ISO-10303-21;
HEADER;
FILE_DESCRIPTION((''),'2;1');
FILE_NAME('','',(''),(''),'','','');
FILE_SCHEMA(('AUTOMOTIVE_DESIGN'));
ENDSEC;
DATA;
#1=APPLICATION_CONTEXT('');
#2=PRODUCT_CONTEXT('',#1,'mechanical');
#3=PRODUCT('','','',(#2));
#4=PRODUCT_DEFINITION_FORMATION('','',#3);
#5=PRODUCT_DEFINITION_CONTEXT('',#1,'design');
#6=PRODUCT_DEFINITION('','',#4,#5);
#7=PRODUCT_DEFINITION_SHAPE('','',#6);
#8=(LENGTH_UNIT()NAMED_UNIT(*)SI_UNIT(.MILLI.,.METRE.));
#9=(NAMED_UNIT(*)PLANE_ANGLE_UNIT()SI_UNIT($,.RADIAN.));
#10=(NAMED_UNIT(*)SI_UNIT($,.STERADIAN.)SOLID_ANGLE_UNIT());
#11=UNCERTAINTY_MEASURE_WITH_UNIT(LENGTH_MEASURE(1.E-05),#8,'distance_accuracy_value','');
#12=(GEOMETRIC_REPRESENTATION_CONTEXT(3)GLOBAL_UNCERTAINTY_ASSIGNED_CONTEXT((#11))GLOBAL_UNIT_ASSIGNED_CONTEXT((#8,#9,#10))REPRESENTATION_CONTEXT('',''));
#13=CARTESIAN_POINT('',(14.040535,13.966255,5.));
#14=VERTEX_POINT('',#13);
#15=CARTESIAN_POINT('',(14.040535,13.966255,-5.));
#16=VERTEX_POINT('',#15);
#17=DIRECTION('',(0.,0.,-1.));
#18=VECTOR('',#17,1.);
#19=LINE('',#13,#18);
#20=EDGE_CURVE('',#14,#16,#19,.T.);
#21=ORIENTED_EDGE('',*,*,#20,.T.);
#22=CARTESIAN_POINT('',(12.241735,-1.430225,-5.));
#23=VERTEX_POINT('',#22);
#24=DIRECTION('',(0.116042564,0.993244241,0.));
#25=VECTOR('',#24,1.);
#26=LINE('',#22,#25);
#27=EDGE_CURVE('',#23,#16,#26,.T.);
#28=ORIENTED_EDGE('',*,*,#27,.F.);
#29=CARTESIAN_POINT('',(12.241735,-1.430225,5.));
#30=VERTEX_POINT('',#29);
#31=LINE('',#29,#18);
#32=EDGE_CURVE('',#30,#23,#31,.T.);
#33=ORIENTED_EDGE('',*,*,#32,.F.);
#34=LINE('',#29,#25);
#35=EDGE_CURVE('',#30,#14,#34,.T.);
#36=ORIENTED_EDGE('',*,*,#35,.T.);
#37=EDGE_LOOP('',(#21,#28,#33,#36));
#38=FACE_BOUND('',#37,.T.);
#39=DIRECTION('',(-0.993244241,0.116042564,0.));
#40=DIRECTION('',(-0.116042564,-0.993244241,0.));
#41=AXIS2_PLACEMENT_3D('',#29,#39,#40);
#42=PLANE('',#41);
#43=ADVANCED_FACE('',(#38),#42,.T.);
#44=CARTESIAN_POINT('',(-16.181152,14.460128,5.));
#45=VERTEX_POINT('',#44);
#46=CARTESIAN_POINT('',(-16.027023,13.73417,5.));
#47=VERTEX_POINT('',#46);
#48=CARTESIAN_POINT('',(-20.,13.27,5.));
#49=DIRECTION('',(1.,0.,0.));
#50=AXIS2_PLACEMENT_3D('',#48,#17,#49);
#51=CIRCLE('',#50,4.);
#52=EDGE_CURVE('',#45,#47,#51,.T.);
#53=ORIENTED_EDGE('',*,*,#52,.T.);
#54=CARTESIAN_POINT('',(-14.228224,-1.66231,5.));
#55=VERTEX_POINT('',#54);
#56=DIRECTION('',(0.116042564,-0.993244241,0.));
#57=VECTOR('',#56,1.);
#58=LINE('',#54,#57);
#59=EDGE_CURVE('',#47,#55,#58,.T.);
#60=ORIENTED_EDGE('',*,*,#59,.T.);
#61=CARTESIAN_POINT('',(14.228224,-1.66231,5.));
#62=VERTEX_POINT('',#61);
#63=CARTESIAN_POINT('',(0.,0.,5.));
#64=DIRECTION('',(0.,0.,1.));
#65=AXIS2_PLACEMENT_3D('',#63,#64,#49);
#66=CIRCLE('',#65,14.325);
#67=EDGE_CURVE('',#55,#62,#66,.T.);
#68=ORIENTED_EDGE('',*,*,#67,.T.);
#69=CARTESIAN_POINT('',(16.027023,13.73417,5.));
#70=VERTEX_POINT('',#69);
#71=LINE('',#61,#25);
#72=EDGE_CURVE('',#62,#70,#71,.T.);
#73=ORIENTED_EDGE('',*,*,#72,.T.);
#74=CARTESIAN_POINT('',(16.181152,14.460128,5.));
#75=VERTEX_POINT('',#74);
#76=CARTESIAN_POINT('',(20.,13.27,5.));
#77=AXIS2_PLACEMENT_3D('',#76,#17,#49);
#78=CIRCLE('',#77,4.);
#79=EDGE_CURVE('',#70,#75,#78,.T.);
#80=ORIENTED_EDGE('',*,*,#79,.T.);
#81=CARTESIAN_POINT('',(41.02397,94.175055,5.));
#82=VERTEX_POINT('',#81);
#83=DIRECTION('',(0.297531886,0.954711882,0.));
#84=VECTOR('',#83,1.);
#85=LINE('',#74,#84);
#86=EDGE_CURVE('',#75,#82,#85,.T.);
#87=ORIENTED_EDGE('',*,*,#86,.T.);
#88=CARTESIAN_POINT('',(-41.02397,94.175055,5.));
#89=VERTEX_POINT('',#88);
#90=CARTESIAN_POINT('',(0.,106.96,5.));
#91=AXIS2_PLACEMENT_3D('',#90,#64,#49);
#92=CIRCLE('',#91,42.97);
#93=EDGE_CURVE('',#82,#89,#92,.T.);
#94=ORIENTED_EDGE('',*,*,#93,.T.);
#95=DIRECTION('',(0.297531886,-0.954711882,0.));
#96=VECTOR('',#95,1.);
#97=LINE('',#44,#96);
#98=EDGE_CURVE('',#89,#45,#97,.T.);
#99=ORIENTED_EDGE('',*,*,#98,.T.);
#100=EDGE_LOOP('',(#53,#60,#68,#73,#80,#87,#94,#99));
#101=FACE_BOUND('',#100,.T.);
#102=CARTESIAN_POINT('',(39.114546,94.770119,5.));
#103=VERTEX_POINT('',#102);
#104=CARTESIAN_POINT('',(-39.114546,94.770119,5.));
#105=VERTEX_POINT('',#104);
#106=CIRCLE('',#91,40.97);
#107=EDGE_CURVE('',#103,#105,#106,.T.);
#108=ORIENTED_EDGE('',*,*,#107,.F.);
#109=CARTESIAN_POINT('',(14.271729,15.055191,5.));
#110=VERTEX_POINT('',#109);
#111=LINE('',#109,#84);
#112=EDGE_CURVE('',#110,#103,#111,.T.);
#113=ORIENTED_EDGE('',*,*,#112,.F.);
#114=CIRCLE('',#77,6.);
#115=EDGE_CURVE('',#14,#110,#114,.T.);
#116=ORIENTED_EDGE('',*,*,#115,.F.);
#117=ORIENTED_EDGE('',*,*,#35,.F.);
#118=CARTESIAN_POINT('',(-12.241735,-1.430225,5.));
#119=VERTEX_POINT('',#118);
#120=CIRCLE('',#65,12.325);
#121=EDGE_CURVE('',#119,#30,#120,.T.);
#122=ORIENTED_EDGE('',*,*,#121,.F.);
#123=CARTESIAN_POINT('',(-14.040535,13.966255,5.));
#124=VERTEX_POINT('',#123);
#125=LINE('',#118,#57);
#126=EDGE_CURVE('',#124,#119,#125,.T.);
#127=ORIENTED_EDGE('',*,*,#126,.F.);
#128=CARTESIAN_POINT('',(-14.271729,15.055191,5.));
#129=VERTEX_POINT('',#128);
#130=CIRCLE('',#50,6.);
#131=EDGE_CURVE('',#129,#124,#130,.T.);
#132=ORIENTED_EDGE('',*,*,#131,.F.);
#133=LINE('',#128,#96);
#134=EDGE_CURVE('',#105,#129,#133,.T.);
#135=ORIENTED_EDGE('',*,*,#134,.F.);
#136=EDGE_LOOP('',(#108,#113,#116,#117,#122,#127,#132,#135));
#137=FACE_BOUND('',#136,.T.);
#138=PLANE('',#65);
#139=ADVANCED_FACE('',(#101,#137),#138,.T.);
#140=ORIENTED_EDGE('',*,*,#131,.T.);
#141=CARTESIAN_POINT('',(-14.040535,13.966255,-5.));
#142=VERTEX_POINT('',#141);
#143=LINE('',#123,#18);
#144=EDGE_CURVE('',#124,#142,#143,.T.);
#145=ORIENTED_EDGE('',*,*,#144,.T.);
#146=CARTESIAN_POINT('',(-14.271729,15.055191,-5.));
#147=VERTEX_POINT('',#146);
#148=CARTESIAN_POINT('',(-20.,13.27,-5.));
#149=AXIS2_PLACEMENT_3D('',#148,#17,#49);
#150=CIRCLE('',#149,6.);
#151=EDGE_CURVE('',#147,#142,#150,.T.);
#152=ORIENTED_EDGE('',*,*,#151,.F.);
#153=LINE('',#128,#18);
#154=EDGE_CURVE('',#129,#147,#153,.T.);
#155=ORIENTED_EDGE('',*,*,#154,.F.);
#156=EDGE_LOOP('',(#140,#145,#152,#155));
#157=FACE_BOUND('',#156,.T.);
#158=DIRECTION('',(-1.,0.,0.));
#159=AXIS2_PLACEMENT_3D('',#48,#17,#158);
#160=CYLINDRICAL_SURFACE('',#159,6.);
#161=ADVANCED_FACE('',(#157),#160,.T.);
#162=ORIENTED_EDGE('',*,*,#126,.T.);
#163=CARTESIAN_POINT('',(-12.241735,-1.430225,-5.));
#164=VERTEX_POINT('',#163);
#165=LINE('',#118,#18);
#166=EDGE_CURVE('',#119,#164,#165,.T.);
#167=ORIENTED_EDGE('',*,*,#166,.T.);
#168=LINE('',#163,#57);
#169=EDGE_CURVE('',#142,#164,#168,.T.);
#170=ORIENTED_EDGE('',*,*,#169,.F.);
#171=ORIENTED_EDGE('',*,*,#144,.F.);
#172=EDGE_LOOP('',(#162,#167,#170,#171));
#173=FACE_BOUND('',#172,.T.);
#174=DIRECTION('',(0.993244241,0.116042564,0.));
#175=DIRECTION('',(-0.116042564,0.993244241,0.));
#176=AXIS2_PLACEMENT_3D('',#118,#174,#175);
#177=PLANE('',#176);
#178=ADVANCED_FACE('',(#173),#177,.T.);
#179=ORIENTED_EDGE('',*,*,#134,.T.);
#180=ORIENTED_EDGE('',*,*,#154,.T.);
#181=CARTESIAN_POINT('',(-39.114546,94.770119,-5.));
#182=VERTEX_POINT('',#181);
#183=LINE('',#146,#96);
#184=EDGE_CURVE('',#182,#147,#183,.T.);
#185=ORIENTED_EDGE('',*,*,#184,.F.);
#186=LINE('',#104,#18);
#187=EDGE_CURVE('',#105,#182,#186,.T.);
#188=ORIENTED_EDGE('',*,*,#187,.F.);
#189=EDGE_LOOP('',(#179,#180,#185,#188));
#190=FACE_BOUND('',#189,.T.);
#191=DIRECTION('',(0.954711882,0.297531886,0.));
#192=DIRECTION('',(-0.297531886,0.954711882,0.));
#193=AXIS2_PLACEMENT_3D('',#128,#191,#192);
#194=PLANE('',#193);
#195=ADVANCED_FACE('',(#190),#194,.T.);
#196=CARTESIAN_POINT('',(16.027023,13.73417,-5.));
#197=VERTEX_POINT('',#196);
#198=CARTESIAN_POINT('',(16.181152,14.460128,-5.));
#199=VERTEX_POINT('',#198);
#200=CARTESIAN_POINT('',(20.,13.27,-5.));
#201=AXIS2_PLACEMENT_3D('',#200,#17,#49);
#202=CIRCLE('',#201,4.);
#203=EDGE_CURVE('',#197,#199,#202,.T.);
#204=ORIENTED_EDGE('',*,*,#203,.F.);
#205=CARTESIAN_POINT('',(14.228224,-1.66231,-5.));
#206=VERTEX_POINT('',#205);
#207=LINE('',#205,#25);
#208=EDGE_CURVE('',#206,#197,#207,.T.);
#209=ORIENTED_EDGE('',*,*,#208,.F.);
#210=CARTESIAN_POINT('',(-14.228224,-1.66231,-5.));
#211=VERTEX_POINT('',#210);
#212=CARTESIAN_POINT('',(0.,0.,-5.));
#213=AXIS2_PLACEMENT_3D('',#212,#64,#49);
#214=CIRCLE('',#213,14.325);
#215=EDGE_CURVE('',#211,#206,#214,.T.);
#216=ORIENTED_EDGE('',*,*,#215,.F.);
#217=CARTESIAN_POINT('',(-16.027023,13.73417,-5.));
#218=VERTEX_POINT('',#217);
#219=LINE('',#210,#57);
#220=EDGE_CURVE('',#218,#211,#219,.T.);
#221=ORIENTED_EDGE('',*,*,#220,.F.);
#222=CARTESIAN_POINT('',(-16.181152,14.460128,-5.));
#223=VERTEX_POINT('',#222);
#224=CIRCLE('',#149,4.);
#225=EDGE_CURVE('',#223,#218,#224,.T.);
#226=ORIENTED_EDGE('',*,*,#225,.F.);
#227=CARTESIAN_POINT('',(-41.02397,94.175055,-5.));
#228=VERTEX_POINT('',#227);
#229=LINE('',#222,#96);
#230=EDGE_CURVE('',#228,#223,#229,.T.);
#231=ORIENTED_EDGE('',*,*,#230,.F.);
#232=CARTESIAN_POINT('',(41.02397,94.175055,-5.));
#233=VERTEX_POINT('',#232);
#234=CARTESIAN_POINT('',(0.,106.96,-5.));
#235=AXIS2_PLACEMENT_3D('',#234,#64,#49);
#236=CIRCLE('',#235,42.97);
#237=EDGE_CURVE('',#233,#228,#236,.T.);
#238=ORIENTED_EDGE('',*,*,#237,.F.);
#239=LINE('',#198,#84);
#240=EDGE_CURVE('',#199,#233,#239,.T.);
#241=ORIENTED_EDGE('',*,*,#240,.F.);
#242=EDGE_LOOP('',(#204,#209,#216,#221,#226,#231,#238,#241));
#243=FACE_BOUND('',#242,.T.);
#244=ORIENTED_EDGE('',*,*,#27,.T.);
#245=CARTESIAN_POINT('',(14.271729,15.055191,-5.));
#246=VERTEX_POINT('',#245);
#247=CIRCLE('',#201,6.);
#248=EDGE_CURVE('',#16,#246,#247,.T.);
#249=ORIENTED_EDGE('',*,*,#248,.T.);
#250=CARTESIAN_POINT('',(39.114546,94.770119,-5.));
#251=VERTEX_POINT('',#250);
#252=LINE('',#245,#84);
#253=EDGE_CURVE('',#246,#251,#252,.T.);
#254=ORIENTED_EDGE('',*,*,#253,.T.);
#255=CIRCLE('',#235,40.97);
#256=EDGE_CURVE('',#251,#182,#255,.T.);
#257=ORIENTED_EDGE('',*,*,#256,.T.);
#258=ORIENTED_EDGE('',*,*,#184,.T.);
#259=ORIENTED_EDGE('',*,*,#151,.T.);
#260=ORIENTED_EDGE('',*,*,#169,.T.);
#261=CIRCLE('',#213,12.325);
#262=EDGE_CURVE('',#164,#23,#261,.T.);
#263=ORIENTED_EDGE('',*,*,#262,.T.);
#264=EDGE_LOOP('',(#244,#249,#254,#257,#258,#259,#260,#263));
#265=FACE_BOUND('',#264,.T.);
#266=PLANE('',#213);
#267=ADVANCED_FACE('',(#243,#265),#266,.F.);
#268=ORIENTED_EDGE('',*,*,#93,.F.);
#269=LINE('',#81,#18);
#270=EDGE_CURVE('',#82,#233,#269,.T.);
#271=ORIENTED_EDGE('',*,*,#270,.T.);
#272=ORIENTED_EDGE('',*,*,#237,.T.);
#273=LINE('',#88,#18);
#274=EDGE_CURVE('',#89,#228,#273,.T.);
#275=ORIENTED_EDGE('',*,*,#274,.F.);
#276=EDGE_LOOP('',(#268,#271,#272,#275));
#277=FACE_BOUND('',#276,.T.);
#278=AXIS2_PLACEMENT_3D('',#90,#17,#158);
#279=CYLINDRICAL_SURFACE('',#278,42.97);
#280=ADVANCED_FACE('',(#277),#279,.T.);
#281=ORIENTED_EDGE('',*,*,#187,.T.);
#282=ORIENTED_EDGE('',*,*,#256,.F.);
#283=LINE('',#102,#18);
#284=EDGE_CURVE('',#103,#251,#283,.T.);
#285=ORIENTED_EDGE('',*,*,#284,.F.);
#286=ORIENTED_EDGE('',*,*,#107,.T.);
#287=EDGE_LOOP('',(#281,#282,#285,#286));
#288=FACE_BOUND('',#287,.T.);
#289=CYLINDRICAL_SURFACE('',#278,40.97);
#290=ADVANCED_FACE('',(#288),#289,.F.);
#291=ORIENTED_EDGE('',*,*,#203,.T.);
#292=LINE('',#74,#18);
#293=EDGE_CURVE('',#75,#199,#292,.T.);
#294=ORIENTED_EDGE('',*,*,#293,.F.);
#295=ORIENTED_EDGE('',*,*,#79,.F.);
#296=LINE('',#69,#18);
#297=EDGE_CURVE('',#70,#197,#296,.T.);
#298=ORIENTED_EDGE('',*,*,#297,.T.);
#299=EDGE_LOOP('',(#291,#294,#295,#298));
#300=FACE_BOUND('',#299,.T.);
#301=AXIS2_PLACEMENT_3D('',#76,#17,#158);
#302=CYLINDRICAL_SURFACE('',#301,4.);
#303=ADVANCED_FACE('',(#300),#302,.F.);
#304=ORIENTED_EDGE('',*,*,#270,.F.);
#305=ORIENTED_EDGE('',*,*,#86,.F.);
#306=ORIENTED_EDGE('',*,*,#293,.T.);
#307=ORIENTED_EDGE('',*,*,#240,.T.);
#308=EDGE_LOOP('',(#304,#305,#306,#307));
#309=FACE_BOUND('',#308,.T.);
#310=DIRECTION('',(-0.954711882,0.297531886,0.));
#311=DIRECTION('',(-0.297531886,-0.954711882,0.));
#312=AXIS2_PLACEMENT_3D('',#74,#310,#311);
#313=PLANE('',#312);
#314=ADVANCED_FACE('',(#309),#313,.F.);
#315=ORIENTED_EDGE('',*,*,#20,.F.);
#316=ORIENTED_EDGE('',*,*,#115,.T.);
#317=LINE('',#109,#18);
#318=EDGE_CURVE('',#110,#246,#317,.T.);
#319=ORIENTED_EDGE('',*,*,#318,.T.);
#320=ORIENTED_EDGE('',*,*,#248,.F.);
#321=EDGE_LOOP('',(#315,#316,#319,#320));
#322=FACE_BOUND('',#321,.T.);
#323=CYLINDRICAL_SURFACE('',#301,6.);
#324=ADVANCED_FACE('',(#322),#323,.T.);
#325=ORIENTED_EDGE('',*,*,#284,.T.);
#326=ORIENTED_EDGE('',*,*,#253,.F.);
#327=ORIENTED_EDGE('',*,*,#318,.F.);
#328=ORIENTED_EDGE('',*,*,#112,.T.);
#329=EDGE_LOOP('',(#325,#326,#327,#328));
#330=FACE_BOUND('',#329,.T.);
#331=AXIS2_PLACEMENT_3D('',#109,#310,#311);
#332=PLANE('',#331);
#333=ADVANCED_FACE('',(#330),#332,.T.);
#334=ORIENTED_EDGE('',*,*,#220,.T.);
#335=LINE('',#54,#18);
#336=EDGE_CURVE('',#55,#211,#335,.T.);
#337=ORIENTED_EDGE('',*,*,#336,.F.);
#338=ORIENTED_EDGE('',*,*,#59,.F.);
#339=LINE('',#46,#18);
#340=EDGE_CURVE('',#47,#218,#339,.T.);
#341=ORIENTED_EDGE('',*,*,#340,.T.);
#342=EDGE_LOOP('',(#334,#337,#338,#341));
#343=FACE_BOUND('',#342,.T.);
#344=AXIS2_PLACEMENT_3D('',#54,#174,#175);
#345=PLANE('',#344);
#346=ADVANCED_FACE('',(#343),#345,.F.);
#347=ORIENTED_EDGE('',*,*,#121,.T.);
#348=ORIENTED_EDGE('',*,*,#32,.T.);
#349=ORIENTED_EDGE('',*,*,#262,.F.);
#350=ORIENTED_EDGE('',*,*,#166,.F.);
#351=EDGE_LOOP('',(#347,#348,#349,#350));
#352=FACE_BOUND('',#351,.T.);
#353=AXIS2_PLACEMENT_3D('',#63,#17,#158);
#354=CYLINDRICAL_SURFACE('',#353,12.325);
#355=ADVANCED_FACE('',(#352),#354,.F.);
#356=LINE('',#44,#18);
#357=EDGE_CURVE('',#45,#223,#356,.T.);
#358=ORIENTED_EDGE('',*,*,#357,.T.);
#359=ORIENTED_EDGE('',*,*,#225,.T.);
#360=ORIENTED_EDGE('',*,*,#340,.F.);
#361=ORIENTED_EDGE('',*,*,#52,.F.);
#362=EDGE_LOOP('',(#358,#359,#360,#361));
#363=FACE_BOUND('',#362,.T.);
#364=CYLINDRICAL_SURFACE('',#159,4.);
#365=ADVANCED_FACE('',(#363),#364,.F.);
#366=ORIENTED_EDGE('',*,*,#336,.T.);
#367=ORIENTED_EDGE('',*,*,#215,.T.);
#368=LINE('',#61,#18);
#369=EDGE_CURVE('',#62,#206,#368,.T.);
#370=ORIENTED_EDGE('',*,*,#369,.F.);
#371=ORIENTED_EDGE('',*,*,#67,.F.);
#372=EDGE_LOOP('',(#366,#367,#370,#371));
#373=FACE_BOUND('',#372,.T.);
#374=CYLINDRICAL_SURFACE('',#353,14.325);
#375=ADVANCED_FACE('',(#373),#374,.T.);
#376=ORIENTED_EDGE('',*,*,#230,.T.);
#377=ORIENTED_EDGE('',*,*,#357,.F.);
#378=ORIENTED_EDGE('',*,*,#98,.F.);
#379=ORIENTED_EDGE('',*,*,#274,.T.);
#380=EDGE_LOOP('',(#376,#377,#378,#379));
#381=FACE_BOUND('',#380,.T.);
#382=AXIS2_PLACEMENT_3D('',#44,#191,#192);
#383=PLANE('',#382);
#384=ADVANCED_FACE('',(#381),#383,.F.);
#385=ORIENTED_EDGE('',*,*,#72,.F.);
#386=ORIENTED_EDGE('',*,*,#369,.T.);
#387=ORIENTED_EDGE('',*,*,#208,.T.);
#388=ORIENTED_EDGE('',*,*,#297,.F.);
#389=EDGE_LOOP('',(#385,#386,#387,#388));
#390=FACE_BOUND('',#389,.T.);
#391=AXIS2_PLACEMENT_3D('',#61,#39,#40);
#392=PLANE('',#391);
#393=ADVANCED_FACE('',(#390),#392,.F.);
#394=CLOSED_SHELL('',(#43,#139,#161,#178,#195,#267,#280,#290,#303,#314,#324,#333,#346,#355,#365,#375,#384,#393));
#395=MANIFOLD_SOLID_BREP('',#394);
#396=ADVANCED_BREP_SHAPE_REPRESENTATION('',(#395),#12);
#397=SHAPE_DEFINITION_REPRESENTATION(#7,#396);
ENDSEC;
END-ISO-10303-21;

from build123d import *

# Parameters (mm, degrees)
EXTRUDE_1_DEPTH = 5


with BuildPart() as part:
    # 草图1 → 凸台-拉伸1 (new, symmetric)
    with BuildSketch(Plane.XY):
        with BuildLine():
            Line((-14.228223759, -1.662309735), (-16.027023034, 13.734170258))
            ThreePointArc((-16.027023034, 13.734170258), (-16.087215093, 14.100731168), (-16.181152473, 14.460127543))
            Line((-16.181152473, 14.460127543), (-41.023969556, 94.175054874))
            ThreePointArc((-41.023969556, 94.175054874), (0, 149.93), (41.023969556, 94.175054874))
            Line((41.023969556, 94.175054874), (16.181152473, 14.460127543))
            ThreePointArc((16.181152473, 14.460127543), (16.087215093, 14.100731168), (16.027023034, 13.734170258))
            Line((16.027023034, 13.734170258), (14.228223759, -1.662309735))
            ThreePointArc((14.228223759, -1.662309735), (0, -14.325), (-14.228223759, -1.662309735))
        make_face()
        with BuildLine():
            Line((-14.27172871, 15.055191314), (-39.114545792, 94.770118645))
            ThreePointArc((-39.114545792, 94.770118645), (0, 147.93), (39.114545792, 94.770118645))
            Line((39.114545792, 94.770118645), (14.27172871, 15.055191314))
            ThreePointArc((14.27172871, 15.055191314), (14.13082264, 14.516096752), (14.040534551, 13.966255386))
            Line((14.040534551, 13.966255386), (12.241735276, -1.430224606))
            ThreePointArc((12.241735276, -1.430224606), (0, -12.325), (-12.241735276, -1.430224606))
            Line((-12.241735276, -1.430224606), (-14.040534551, 13.966255386))
            ThreePointArc((-14.040534551, 13.966255386), (-14.13082264, 14.516096752), (-14.27172871, 15.055191314))
        make_face(mode=Mode.SUBTRACT)
    extrude(amount=EXTRUDE_1_DEPTH, both=True)


solid = part.part
